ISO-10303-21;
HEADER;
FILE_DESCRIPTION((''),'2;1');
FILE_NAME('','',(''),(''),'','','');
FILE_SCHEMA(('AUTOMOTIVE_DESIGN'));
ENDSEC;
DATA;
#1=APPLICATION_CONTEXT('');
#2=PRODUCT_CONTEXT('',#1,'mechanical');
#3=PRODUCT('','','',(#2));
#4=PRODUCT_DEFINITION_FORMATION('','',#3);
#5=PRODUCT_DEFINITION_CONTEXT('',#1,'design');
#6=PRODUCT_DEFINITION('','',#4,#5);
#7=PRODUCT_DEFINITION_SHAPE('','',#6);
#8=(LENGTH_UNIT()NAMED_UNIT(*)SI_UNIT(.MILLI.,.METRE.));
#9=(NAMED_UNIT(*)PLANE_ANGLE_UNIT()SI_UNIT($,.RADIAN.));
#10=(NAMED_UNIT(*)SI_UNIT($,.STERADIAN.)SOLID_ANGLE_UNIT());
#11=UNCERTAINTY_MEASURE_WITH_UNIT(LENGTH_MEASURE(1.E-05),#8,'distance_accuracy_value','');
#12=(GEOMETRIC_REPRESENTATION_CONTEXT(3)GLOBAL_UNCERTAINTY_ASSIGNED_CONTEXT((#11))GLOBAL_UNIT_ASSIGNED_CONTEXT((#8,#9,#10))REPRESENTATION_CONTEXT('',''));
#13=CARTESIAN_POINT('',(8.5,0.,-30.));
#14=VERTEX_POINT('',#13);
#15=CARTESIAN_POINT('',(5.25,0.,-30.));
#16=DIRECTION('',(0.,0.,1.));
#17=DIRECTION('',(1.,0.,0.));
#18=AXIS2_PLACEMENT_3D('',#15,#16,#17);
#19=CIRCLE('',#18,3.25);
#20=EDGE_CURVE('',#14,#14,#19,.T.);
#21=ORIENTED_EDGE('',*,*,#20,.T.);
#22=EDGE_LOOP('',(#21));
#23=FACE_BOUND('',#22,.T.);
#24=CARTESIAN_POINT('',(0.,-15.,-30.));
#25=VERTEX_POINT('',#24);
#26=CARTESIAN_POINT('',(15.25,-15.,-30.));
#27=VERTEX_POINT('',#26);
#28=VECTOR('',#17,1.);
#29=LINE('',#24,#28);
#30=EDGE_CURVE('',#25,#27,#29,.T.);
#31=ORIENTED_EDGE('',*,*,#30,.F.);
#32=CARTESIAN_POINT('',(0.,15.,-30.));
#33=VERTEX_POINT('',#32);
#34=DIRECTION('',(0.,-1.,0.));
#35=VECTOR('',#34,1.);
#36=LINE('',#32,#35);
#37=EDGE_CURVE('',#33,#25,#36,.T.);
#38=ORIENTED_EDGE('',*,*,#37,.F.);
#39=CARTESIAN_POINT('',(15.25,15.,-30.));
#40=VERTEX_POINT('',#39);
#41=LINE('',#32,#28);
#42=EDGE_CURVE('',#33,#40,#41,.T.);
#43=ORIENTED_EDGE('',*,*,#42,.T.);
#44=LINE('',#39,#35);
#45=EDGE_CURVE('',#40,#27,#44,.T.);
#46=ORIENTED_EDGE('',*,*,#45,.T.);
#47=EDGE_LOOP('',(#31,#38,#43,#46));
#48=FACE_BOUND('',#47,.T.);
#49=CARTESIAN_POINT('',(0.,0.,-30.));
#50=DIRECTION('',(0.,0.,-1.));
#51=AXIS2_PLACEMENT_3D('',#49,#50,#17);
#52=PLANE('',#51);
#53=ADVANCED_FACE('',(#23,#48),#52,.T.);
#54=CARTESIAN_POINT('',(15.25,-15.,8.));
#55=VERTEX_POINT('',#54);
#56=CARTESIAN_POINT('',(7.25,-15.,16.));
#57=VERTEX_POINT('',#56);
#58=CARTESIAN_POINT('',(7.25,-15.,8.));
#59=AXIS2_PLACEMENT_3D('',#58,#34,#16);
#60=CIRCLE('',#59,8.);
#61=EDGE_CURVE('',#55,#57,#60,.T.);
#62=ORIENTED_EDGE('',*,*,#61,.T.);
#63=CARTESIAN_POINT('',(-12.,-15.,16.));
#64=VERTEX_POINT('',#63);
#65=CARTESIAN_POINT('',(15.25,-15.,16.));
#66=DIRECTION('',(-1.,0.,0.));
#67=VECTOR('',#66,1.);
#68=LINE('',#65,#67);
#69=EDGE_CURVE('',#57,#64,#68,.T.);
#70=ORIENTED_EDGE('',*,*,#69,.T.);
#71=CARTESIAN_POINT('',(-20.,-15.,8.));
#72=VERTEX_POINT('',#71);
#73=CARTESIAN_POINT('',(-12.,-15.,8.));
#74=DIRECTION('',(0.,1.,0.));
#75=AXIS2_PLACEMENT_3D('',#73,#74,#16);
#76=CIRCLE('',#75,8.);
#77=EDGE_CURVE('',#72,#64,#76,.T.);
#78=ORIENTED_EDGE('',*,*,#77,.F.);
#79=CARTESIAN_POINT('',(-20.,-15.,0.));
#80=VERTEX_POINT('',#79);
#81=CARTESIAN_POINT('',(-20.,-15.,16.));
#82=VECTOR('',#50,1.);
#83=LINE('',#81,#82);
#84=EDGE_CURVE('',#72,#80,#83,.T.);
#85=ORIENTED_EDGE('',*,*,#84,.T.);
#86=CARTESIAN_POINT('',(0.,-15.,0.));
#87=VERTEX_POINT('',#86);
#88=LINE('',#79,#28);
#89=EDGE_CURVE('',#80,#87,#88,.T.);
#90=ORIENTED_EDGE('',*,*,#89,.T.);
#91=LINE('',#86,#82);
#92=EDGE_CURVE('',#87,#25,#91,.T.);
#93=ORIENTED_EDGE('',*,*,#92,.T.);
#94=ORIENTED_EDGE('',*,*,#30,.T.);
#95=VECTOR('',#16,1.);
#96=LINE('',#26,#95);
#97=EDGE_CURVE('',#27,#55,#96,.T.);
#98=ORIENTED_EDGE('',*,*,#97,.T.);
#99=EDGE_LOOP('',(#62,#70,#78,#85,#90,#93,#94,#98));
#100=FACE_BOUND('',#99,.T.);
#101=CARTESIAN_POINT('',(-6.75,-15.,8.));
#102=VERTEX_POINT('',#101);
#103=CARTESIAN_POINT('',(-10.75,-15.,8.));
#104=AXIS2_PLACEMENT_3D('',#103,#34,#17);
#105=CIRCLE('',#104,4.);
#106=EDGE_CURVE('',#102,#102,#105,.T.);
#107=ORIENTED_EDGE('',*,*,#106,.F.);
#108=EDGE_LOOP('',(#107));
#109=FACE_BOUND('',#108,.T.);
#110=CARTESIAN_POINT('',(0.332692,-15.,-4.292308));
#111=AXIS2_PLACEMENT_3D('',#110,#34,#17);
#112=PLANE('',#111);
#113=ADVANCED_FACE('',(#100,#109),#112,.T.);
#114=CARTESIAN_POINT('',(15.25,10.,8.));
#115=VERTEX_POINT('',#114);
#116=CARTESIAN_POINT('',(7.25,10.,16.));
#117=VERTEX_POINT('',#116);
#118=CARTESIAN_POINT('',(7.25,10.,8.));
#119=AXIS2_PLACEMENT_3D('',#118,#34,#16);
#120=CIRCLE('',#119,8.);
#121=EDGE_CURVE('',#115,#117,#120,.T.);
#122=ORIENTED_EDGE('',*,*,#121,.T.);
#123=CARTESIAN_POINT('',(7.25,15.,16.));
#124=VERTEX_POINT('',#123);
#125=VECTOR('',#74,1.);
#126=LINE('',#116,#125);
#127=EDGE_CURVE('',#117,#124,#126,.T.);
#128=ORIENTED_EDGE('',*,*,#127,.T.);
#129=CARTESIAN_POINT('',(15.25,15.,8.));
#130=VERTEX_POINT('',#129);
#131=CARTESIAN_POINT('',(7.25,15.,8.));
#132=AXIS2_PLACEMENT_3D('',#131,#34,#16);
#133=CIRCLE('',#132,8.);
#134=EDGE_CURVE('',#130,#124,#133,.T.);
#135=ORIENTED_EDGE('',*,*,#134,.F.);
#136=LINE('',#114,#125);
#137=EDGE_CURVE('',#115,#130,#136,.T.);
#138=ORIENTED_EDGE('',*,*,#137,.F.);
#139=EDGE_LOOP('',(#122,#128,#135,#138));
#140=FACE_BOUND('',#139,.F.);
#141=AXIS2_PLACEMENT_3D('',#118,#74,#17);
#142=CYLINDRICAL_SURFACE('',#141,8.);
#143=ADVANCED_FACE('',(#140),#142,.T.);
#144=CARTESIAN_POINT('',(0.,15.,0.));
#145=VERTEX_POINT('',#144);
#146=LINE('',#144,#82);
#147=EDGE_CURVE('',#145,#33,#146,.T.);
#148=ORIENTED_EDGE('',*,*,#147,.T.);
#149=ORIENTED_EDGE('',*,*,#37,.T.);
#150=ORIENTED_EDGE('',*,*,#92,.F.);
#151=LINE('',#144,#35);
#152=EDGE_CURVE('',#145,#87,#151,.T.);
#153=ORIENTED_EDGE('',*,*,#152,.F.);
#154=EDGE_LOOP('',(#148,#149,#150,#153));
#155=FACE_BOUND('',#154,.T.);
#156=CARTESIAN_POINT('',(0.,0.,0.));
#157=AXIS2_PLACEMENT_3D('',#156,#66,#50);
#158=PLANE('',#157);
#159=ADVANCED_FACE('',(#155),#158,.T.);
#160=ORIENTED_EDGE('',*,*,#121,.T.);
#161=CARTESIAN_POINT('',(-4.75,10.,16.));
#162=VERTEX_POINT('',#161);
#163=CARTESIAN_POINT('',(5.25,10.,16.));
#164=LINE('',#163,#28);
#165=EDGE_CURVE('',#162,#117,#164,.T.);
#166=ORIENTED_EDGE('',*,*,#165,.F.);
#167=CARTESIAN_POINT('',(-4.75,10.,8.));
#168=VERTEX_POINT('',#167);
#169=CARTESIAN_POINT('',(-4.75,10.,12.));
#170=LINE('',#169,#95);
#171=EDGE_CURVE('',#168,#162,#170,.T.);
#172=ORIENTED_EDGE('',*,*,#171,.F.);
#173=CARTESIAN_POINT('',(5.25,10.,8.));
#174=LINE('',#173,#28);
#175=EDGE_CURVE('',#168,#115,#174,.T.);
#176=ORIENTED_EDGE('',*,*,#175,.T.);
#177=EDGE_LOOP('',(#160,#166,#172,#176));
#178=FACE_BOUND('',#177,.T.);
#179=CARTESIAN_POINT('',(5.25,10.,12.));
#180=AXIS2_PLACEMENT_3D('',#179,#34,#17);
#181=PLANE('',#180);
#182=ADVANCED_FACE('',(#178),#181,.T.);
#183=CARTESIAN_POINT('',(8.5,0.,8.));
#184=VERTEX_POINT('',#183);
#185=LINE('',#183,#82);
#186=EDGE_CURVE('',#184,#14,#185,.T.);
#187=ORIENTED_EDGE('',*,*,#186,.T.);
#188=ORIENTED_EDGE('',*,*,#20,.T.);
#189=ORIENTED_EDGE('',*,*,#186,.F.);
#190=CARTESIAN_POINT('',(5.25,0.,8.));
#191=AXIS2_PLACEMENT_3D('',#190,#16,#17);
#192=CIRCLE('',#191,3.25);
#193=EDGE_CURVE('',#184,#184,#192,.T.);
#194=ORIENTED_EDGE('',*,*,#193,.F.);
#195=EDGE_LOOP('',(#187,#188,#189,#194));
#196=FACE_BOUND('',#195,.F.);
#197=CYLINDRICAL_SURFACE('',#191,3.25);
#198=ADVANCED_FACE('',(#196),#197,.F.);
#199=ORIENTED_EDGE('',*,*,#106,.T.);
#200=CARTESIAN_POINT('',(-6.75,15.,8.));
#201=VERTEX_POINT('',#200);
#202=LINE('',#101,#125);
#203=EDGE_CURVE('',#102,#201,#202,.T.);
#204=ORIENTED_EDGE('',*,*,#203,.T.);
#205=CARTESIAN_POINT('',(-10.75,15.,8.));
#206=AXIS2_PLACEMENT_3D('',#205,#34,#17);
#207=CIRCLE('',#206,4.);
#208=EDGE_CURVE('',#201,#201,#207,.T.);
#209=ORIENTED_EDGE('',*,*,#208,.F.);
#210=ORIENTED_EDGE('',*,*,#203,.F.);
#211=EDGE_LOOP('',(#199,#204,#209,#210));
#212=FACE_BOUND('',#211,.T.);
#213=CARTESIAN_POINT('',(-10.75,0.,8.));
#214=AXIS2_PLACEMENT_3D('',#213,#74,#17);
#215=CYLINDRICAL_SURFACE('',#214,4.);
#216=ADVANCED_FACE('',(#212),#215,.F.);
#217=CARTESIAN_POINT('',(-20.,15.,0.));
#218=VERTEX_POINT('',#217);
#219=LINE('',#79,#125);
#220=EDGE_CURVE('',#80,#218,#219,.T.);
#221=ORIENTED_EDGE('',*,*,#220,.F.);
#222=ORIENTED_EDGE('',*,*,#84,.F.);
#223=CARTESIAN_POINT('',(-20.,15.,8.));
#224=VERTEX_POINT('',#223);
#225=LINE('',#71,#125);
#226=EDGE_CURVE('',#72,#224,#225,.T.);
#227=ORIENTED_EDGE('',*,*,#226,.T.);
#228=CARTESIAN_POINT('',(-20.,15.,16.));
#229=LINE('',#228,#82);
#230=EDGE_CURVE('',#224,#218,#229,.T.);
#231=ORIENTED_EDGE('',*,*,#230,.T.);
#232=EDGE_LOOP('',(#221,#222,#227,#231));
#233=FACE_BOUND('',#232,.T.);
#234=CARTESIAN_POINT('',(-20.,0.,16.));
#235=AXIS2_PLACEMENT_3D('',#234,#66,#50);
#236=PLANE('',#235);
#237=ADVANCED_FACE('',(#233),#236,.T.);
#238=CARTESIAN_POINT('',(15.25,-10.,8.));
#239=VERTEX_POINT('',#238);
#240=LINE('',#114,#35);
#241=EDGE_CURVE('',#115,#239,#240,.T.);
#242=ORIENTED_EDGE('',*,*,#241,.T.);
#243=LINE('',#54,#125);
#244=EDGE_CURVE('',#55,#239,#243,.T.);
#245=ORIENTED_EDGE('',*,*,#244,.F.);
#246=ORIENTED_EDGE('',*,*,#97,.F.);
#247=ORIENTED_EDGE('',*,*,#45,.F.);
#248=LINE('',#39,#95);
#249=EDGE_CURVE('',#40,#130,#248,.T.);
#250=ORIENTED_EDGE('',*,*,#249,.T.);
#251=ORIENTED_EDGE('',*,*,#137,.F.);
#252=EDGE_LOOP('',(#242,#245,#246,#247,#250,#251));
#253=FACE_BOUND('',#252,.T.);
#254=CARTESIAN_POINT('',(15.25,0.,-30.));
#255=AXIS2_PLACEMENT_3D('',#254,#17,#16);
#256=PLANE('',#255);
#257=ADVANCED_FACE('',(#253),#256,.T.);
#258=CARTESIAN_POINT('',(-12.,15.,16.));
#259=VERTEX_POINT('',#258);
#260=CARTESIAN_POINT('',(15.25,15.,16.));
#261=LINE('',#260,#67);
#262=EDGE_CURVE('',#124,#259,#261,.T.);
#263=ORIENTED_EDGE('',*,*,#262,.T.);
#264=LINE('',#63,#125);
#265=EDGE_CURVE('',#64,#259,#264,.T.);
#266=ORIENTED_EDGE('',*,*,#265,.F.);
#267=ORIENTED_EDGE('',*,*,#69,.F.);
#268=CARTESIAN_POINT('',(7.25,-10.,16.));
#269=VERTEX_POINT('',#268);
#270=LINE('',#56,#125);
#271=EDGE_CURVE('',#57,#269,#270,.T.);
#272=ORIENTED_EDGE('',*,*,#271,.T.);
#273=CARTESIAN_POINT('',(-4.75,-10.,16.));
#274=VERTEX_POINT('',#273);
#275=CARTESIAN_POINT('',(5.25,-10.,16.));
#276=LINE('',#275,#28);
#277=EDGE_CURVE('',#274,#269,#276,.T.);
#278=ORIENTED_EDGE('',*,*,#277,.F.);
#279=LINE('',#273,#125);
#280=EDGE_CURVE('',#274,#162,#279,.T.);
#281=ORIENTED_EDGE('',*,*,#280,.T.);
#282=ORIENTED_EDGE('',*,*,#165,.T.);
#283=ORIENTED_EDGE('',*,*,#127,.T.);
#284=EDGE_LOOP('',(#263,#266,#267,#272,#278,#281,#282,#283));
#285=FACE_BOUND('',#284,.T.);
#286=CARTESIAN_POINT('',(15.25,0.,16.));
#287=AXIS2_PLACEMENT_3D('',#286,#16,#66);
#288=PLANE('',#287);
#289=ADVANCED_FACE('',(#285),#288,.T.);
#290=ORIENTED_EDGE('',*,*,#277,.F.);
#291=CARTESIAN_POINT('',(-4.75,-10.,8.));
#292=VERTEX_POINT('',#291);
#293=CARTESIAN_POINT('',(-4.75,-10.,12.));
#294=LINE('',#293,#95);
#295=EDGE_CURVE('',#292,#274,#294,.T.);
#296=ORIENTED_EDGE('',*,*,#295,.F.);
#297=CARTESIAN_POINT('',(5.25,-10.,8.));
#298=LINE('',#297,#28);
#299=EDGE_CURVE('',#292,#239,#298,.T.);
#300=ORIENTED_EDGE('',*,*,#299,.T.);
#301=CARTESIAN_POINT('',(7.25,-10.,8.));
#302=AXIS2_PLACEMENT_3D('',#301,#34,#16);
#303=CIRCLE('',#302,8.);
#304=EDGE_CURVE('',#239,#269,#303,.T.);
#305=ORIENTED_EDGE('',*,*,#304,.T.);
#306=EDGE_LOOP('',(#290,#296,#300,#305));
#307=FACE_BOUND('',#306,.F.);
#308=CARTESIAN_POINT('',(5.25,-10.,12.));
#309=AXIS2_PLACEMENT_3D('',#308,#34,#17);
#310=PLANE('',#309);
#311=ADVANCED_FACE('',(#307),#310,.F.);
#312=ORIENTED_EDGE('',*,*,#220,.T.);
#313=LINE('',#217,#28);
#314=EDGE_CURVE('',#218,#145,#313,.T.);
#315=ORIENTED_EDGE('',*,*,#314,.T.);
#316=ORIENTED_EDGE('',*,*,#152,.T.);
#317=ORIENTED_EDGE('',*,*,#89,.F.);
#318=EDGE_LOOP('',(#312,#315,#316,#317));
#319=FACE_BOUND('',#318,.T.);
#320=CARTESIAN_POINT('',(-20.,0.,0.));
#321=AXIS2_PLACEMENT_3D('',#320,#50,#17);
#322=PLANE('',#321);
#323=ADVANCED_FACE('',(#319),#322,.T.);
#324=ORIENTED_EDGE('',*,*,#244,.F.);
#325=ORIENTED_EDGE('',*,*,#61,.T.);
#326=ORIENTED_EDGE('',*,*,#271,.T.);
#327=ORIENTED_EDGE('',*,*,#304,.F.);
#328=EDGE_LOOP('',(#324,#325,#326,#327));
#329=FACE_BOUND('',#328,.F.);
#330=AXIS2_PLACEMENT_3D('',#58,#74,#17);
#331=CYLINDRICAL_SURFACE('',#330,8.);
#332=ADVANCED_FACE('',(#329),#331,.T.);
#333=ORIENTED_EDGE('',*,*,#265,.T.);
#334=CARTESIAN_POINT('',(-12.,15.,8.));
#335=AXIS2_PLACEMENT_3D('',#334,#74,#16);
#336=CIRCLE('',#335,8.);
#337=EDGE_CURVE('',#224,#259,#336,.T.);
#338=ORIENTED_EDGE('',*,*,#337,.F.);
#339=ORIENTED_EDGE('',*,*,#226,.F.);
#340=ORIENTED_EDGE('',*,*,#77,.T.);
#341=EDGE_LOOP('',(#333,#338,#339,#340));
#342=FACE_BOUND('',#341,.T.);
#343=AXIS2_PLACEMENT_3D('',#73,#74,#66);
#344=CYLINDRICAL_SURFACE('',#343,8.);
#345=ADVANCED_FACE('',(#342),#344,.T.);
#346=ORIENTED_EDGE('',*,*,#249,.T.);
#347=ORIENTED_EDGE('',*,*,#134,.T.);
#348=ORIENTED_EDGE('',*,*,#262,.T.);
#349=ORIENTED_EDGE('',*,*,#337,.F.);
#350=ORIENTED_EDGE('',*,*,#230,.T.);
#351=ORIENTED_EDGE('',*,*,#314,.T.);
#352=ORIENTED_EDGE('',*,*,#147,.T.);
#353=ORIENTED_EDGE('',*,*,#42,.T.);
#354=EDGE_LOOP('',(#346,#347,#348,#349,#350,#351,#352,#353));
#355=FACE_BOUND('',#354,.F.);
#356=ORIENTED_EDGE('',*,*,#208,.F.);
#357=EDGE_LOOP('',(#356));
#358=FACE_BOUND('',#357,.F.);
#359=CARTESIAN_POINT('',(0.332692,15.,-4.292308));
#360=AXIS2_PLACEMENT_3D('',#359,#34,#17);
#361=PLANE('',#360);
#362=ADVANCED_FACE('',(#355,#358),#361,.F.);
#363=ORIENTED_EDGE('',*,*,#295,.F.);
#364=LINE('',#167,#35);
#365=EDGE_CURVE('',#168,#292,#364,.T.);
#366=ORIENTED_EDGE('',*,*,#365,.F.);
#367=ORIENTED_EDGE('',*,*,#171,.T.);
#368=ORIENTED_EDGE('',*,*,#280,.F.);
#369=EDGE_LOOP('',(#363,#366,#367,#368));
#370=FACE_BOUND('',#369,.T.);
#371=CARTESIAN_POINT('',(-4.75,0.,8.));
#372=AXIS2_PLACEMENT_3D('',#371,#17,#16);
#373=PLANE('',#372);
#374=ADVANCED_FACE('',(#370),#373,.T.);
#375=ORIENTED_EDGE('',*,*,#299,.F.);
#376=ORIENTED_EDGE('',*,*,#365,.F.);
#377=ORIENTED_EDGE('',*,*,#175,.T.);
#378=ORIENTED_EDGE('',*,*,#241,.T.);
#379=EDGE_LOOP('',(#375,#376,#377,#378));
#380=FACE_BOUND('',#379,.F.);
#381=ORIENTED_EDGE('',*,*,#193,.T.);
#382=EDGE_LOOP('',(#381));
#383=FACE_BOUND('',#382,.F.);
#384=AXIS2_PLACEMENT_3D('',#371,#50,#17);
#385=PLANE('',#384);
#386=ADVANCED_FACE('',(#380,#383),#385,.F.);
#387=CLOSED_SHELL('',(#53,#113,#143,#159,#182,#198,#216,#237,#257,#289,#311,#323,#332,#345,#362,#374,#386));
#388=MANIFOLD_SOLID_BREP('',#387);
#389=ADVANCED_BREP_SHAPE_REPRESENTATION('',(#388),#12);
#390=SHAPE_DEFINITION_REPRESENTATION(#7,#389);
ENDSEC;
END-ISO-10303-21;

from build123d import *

# Parameters (mm, degrees)
F0_R     = 4
F0_W     = 20
F0_H     = 8
F1_DEPTH = 15
F2_DEPTH = 10
F3_R     = 3.25
F4_DEPTH = 38.001
F5_R     = 8


with BuildPart() as f1:
    # F0 (on Front) → F1 (new body, symmetric)
    with BuildSketch(Plane.XZ):
        Polygon((-20, 0), (0, 0), (0, -30), (15.25, -30), (15.25, 8), (-4.75, 8), (-4.75, 16), (-20, 16), align=None)
        with Locations((-10.75, 8)):
            Circle(F0_R, mode=Mode.SUBTRACT)
        with Locations((5.25, 12)):
            Rectangle(F0_W, F0_H)
    extrude(amount=F1_DEPTH, both=True)

    # F0 (on Front) → F2 (cut, symmetric)
    with BuildSketch(Plane.XZ):
        with Locations((5.25, 12)):
            Rectangle(F0_W, F0_H)
    extrude(amount=F2_DEPTH, both=True, mode=Mode.SUBTRACT)

    # F3 (on face) → F4 (cut, through all)
    with BuildSketch(Plane.XY.offset(8)):
        with Locations((5.25, 0)):
            Circle(F3_R)
    extrude(amount=-F4_DEPTH, mode=Mode.SUBTRACT)

    # F5
    f5_edges = [f1.edges().sort_by_distance(p)[0] for p in [
        (-20, 0, 16),
        (15.25, -12.5, 16),
        (15.25, 12.5, 16),
    ]]
    fillet(f5_edges, radius=F5_R)


solid = f1.part
